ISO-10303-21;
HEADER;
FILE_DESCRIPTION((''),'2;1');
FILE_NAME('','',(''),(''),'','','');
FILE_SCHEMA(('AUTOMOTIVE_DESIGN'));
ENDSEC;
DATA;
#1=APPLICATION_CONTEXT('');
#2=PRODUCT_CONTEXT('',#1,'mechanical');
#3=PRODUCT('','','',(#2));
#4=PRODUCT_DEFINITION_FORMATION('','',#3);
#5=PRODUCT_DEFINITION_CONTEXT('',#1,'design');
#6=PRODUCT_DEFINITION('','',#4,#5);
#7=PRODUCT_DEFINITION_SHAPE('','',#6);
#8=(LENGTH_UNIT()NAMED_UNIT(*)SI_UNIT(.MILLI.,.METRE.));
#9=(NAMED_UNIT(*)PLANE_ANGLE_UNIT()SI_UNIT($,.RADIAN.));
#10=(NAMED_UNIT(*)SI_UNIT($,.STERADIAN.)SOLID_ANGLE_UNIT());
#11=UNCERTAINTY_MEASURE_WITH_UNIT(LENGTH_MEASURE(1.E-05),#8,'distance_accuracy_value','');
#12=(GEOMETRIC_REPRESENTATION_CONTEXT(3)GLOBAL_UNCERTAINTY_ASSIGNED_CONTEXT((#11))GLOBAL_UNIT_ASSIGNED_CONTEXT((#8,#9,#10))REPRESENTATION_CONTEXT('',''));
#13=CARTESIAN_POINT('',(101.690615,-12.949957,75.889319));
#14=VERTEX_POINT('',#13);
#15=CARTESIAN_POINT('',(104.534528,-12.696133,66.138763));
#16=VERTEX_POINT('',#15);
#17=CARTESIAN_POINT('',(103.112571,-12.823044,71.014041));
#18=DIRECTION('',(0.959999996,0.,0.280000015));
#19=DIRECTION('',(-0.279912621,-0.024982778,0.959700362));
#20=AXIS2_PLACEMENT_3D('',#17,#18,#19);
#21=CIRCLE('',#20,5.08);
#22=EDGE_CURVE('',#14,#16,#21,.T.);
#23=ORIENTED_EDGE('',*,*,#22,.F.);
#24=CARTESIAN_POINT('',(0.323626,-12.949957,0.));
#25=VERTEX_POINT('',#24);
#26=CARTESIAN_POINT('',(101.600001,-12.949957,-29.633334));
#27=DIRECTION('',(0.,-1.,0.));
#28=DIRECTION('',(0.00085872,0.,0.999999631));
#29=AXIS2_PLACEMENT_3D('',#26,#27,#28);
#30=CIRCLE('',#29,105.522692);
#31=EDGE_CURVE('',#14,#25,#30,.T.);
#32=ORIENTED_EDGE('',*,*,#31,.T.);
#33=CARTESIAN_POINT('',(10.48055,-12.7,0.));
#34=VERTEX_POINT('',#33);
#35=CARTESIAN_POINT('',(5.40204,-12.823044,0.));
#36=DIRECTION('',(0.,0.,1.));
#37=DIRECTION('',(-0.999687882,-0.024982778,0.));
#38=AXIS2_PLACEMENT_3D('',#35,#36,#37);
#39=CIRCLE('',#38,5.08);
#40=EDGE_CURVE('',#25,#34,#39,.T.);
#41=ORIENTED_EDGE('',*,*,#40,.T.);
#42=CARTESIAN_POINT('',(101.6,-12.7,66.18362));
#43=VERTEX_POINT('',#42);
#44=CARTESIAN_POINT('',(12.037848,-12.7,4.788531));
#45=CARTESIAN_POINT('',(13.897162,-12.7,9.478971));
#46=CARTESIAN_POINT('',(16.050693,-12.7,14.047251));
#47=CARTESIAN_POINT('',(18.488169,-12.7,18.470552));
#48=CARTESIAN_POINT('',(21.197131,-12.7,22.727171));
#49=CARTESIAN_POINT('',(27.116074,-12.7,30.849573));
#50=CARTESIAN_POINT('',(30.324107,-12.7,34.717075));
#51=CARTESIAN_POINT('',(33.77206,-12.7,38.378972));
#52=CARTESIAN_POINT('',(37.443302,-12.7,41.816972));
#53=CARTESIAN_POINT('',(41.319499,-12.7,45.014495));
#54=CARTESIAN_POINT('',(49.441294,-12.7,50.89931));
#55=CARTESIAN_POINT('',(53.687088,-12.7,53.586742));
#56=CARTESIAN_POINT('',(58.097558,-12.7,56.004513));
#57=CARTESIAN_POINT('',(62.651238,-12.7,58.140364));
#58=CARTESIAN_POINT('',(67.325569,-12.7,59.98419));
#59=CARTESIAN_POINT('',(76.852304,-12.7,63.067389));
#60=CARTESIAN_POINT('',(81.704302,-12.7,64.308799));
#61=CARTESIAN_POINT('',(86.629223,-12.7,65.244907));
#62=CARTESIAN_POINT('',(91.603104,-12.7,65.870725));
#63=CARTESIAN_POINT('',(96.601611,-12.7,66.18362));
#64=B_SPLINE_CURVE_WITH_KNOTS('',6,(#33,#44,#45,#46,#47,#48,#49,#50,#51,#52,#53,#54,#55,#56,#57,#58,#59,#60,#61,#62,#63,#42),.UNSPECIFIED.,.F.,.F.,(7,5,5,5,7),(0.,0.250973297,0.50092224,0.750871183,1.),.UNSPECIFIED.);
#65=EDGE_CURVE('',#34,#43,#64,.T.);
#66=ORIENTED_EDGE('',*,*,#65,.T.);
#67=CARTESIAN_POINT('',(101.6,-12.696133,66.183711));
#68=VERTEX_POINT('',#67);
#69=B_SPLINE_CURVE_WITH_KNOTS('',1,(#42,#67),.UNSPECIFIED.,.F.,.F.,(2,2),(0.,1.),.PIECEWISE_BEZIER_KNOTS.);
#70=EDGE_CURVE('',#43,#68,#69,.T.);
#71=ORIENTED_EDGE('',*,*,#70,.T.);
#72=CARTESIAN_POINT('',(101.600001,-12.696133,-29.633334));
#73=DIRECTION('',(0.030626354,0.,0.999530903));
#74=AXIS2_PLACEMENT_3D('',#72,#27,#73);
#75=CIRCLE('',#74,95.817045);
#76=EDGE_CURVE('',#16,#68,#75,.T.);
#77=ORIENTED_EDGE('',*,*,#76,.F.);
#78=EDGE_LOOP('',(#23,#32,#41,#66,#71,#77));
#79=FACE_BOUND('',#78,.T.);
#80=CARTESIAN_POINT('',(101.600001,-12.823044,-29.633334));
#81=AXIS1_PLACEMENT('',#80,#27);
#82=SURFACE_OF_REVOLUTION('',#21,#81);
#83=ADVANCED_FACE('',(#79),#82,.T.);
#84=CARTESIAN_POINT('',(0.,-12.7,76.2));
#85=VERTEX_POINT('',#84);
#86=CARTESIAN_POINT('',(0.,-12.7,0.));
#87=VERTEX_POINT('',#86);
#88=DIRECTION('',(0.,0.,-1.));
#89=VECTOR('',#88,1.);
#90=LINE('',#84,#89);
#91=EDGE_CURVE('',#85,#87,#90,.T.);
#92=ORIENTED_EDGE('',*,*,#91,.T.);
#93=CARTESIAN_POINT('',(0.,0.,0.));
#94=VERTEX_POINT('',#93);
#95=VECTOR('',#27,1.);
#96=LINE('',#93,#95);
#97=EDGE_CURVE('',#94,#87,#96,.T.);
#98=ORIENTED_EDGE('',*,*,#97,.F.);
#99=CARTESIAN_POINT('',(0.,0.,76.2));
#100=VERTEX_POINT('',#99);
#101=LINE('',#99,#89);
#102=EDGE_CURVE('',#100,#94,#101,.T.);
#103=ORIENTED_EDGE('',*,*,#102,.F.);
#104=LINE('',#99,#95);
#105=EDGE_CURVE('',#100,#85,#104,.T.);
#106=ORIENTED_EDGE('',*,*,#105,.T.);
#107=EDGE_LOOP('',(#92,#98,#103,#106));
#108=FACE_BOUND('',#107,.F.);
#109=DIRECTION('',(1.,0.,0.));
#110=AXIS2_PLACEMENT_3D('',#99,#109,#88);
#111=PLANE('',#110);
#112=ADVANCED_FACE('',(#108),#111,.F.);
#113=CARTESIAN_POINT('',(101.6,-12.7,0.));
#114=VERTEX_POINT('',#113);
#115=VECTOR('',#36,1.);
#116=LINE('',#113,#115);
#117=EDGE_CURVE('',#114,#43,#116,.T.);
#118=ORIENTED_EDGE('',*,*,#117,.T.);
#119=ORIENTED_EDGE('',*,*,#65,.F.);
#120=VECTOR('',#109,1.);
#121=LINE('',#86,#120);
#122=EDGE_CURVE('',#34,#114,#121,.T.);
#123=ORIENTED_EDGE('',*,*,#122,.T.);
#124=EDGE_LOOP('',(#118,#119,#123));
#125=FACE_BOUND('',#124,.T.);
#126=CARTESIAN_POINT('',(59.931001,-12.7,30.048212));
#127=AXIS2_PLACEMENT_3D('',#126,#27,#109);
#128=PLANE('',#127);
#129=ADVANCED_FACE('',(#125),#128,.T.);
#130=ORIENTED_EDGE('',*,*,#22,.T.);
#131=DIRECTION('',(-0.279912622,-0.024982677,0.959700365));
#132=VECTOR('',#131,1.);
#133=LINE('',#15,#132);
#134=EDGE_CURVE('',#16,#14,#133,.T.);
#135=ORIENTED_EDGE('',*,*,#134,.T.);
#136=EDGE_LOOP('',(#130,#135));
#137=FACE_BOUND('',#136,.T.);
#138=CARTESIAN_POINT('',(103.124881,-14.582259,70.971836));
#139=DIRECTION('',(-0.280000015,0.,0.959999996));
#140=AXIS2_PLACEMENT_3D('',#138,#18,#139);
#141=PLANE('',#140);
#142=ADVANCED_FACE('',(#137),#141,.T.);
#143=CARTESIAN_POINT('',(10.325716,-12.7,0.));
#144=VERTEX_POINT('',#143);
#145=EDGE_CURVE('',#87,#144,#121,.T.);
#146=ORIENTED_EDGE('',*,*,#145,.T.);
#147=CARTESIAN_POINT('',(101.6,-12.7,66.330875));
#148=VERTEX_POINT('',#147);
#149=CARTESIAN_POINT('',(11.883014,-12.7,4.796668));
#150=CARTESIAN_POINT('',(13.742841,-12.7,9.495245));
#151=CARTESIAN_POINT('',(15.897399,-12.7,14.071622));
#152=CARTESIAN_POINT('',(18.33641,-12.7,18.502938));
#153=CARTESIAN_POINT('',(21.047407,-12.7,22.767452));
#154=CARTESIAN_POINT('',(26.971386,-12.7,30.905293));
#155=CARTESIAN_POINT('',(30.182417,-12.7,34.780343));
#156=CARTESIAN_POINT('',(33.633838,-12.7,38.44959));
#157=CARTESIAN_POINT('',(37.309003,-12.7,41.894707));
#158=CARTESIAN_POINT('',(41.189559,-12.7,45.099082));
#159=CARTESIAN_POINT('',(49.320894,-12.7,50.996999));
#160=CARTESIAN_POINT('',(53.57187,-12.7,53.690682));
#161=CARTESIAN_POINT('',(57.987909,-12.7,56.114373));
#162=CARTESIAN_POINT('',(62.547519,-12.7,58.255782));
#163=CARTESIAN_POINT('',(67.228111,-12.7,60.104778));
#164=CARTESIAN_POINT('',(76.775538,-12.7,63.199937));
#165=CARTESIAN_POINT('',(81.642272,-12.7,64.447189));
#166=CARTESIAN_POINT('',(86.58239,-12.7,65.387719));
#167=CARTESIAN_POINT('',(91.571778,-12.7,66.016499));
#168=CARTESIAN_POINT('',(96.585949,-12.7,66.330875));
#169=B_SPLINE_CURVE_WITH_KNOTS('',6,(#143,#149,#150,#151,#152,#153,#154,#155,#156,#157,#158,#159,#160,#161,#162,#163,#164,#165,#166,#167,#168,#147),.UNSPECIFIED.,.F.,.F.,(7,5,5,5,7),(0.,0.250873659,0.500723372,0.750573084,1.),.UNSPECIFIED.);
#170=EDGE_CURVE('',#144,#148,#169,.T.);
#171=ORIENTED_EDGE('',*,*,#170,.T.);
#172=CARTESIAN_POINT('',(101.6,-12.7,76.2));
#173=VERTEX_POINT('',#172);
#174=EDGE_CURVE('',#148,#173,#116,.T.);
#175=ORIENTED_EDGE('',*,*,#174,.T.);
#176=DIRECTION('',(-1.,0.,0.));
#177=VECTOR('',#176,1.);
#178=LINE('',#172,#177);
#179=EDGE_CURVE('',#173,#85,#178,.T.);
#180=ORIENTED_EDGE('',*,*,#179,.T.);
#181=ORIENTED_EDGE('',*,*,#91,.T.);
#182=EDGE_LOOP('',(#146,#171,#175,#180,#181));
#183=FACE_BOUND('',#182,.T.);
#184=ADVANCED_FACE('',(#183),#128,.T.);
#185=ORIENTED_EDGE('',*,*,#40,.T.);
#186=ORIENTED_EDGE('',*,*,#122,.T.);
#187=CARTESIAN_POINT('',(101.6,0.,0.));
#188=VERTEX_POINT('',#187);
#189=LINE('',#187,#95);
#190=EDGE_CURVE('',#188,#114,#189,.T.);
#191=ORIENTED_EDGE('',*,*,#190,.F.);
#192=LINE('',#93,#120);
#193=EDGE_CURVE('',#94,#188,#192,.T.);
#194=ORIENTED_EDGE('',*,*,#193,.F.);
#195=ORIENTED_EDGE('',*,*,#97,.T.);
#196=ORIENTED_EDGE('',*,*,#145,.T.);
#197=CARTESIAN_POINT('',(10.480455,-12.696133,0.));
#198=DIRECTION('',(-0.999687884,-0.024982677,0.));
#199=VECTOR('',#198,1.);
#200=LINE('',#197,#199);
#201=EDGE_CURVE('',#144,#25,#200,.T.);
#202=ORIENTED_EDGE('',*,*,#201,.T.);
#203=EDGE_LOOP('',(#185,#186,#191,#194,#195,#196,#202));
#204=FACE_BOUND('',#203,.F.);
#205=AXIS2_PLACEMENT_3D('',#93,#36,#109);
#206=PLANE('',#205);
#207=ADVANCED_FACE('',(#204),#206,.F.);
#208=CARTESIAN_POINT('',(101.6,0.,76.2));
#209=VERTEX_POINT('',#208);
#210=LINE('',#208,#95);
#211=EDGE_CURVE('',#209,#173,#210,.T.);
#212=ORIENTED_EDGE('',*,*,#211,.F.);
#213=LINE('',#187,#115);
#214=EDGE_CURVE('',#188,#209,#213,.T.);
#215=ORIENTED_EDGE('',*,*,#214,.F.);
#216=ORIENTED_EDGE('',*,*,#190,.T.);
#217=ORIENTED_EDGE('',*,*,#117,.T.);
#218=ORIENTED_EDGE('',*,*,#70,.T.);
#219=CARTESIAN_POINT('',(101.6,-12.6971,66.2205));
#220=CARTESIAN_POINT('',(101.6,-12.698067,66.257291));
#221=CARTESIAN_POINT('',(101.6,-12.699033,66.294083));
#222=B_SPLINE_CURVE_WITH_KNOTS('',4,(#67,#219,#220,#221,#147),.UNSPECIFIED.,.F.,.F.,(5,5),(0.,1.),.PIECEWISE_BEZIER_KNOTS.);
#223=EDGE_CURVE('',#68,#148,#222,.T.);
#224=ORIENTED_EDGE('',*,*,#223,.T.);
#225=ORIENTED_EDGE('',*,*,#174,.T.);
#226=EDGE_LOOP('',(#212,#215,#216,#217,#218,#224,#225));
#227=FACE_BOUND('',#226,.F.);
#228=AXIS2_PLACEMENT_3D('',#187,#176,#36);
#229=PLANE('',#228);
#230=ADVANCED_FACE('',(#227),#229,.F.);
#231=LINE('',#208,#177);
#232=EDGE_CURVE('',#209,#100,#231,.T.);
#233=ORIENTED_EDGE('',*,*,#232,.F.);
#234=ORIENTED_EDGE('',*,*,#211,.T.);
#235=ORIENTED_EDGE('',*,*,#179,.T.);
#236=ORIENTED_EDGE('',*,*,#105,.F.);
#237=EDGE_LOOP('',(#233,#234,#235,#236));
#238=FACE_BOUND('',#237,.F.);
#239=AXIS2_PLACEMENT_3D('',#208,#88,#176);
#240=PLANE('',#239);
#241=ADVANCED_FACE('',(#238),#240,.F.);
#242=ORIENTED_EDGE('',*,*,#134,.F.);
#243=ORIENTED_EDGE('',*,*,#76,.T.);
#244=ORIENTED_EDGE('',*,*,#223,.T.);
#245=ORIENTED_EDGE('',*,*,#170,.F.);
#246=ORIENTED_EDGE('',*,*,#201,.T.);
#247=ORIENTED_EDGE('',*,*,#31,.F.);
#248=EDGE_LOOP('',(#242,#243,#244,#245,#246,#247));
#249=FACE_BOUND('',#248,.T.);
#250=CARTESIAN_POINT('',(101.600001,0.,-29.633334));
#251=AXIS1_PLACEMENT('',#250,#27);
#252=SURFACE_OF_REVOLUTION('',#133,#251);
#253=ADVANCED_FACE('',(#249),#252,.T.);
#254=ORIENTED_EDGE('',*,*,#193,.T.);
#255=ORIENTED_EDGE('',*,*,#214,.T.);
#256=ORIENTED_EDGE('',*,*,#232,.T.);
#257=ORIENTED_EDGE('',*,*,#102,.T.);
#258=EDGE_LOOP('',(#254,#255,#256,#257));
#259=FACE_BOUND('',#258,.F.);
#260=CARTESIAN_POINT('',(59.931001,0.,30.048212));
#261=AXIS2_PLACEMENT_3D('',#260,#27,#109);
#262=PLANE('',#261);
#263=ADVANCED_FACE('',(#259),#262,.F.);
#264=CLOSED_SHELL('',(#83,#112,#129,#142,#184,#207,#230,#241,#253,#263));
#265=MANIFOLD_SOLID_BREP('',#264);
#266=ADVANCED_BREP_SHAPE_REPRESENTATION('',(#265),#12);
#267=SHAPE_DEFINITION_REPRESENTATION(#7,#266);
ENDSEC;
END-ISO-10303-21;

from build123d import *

# Parameters (mm, degrees)
F3_DEPTH = 12.7


with BuildPart() as f2:
    # F2: sweep along a path in F0
    with BuildLine(Plane.XZ) as f2_path:
        ThreePointArc((101.6, 76.2), (38.1, 55.033333), (0, 0))
    # F1 (on Top) → F2 (sweep)
    with BuildSketch(Plane.XY):
        with BuildLine():
            Line((10.480455, -12.696133), (0.323626, -12.949957))
            ThreePointArc((0.323626, -12.949957), (5.528952, -17.901459), (10.480455, -12.696133))
        make_face()
    sweep(path=f2_path.line)

    # F0 (on Front) → F3 (join)
    with BuildSketch(Plane.XZ):
        with BuildLine():
            ThreePointArc((101.6, 76.2), (38.1, 55.033333), (0, 0))
            Line((0, 0), (101.6, 0))
            Line((101.6, 0), (101.6, 76.2))
        make_face()
        with BuildLine():
            Line((0, 76.2), (0, 0))
            ThreePointArc((0, 0), (38.1, 55.033333), (101.6, 76.2))
            Line((101.6, 76.2), (0, 76.2))
        make_face()
    extrude(amount=F3_DEPTH)


solid = f2.part
